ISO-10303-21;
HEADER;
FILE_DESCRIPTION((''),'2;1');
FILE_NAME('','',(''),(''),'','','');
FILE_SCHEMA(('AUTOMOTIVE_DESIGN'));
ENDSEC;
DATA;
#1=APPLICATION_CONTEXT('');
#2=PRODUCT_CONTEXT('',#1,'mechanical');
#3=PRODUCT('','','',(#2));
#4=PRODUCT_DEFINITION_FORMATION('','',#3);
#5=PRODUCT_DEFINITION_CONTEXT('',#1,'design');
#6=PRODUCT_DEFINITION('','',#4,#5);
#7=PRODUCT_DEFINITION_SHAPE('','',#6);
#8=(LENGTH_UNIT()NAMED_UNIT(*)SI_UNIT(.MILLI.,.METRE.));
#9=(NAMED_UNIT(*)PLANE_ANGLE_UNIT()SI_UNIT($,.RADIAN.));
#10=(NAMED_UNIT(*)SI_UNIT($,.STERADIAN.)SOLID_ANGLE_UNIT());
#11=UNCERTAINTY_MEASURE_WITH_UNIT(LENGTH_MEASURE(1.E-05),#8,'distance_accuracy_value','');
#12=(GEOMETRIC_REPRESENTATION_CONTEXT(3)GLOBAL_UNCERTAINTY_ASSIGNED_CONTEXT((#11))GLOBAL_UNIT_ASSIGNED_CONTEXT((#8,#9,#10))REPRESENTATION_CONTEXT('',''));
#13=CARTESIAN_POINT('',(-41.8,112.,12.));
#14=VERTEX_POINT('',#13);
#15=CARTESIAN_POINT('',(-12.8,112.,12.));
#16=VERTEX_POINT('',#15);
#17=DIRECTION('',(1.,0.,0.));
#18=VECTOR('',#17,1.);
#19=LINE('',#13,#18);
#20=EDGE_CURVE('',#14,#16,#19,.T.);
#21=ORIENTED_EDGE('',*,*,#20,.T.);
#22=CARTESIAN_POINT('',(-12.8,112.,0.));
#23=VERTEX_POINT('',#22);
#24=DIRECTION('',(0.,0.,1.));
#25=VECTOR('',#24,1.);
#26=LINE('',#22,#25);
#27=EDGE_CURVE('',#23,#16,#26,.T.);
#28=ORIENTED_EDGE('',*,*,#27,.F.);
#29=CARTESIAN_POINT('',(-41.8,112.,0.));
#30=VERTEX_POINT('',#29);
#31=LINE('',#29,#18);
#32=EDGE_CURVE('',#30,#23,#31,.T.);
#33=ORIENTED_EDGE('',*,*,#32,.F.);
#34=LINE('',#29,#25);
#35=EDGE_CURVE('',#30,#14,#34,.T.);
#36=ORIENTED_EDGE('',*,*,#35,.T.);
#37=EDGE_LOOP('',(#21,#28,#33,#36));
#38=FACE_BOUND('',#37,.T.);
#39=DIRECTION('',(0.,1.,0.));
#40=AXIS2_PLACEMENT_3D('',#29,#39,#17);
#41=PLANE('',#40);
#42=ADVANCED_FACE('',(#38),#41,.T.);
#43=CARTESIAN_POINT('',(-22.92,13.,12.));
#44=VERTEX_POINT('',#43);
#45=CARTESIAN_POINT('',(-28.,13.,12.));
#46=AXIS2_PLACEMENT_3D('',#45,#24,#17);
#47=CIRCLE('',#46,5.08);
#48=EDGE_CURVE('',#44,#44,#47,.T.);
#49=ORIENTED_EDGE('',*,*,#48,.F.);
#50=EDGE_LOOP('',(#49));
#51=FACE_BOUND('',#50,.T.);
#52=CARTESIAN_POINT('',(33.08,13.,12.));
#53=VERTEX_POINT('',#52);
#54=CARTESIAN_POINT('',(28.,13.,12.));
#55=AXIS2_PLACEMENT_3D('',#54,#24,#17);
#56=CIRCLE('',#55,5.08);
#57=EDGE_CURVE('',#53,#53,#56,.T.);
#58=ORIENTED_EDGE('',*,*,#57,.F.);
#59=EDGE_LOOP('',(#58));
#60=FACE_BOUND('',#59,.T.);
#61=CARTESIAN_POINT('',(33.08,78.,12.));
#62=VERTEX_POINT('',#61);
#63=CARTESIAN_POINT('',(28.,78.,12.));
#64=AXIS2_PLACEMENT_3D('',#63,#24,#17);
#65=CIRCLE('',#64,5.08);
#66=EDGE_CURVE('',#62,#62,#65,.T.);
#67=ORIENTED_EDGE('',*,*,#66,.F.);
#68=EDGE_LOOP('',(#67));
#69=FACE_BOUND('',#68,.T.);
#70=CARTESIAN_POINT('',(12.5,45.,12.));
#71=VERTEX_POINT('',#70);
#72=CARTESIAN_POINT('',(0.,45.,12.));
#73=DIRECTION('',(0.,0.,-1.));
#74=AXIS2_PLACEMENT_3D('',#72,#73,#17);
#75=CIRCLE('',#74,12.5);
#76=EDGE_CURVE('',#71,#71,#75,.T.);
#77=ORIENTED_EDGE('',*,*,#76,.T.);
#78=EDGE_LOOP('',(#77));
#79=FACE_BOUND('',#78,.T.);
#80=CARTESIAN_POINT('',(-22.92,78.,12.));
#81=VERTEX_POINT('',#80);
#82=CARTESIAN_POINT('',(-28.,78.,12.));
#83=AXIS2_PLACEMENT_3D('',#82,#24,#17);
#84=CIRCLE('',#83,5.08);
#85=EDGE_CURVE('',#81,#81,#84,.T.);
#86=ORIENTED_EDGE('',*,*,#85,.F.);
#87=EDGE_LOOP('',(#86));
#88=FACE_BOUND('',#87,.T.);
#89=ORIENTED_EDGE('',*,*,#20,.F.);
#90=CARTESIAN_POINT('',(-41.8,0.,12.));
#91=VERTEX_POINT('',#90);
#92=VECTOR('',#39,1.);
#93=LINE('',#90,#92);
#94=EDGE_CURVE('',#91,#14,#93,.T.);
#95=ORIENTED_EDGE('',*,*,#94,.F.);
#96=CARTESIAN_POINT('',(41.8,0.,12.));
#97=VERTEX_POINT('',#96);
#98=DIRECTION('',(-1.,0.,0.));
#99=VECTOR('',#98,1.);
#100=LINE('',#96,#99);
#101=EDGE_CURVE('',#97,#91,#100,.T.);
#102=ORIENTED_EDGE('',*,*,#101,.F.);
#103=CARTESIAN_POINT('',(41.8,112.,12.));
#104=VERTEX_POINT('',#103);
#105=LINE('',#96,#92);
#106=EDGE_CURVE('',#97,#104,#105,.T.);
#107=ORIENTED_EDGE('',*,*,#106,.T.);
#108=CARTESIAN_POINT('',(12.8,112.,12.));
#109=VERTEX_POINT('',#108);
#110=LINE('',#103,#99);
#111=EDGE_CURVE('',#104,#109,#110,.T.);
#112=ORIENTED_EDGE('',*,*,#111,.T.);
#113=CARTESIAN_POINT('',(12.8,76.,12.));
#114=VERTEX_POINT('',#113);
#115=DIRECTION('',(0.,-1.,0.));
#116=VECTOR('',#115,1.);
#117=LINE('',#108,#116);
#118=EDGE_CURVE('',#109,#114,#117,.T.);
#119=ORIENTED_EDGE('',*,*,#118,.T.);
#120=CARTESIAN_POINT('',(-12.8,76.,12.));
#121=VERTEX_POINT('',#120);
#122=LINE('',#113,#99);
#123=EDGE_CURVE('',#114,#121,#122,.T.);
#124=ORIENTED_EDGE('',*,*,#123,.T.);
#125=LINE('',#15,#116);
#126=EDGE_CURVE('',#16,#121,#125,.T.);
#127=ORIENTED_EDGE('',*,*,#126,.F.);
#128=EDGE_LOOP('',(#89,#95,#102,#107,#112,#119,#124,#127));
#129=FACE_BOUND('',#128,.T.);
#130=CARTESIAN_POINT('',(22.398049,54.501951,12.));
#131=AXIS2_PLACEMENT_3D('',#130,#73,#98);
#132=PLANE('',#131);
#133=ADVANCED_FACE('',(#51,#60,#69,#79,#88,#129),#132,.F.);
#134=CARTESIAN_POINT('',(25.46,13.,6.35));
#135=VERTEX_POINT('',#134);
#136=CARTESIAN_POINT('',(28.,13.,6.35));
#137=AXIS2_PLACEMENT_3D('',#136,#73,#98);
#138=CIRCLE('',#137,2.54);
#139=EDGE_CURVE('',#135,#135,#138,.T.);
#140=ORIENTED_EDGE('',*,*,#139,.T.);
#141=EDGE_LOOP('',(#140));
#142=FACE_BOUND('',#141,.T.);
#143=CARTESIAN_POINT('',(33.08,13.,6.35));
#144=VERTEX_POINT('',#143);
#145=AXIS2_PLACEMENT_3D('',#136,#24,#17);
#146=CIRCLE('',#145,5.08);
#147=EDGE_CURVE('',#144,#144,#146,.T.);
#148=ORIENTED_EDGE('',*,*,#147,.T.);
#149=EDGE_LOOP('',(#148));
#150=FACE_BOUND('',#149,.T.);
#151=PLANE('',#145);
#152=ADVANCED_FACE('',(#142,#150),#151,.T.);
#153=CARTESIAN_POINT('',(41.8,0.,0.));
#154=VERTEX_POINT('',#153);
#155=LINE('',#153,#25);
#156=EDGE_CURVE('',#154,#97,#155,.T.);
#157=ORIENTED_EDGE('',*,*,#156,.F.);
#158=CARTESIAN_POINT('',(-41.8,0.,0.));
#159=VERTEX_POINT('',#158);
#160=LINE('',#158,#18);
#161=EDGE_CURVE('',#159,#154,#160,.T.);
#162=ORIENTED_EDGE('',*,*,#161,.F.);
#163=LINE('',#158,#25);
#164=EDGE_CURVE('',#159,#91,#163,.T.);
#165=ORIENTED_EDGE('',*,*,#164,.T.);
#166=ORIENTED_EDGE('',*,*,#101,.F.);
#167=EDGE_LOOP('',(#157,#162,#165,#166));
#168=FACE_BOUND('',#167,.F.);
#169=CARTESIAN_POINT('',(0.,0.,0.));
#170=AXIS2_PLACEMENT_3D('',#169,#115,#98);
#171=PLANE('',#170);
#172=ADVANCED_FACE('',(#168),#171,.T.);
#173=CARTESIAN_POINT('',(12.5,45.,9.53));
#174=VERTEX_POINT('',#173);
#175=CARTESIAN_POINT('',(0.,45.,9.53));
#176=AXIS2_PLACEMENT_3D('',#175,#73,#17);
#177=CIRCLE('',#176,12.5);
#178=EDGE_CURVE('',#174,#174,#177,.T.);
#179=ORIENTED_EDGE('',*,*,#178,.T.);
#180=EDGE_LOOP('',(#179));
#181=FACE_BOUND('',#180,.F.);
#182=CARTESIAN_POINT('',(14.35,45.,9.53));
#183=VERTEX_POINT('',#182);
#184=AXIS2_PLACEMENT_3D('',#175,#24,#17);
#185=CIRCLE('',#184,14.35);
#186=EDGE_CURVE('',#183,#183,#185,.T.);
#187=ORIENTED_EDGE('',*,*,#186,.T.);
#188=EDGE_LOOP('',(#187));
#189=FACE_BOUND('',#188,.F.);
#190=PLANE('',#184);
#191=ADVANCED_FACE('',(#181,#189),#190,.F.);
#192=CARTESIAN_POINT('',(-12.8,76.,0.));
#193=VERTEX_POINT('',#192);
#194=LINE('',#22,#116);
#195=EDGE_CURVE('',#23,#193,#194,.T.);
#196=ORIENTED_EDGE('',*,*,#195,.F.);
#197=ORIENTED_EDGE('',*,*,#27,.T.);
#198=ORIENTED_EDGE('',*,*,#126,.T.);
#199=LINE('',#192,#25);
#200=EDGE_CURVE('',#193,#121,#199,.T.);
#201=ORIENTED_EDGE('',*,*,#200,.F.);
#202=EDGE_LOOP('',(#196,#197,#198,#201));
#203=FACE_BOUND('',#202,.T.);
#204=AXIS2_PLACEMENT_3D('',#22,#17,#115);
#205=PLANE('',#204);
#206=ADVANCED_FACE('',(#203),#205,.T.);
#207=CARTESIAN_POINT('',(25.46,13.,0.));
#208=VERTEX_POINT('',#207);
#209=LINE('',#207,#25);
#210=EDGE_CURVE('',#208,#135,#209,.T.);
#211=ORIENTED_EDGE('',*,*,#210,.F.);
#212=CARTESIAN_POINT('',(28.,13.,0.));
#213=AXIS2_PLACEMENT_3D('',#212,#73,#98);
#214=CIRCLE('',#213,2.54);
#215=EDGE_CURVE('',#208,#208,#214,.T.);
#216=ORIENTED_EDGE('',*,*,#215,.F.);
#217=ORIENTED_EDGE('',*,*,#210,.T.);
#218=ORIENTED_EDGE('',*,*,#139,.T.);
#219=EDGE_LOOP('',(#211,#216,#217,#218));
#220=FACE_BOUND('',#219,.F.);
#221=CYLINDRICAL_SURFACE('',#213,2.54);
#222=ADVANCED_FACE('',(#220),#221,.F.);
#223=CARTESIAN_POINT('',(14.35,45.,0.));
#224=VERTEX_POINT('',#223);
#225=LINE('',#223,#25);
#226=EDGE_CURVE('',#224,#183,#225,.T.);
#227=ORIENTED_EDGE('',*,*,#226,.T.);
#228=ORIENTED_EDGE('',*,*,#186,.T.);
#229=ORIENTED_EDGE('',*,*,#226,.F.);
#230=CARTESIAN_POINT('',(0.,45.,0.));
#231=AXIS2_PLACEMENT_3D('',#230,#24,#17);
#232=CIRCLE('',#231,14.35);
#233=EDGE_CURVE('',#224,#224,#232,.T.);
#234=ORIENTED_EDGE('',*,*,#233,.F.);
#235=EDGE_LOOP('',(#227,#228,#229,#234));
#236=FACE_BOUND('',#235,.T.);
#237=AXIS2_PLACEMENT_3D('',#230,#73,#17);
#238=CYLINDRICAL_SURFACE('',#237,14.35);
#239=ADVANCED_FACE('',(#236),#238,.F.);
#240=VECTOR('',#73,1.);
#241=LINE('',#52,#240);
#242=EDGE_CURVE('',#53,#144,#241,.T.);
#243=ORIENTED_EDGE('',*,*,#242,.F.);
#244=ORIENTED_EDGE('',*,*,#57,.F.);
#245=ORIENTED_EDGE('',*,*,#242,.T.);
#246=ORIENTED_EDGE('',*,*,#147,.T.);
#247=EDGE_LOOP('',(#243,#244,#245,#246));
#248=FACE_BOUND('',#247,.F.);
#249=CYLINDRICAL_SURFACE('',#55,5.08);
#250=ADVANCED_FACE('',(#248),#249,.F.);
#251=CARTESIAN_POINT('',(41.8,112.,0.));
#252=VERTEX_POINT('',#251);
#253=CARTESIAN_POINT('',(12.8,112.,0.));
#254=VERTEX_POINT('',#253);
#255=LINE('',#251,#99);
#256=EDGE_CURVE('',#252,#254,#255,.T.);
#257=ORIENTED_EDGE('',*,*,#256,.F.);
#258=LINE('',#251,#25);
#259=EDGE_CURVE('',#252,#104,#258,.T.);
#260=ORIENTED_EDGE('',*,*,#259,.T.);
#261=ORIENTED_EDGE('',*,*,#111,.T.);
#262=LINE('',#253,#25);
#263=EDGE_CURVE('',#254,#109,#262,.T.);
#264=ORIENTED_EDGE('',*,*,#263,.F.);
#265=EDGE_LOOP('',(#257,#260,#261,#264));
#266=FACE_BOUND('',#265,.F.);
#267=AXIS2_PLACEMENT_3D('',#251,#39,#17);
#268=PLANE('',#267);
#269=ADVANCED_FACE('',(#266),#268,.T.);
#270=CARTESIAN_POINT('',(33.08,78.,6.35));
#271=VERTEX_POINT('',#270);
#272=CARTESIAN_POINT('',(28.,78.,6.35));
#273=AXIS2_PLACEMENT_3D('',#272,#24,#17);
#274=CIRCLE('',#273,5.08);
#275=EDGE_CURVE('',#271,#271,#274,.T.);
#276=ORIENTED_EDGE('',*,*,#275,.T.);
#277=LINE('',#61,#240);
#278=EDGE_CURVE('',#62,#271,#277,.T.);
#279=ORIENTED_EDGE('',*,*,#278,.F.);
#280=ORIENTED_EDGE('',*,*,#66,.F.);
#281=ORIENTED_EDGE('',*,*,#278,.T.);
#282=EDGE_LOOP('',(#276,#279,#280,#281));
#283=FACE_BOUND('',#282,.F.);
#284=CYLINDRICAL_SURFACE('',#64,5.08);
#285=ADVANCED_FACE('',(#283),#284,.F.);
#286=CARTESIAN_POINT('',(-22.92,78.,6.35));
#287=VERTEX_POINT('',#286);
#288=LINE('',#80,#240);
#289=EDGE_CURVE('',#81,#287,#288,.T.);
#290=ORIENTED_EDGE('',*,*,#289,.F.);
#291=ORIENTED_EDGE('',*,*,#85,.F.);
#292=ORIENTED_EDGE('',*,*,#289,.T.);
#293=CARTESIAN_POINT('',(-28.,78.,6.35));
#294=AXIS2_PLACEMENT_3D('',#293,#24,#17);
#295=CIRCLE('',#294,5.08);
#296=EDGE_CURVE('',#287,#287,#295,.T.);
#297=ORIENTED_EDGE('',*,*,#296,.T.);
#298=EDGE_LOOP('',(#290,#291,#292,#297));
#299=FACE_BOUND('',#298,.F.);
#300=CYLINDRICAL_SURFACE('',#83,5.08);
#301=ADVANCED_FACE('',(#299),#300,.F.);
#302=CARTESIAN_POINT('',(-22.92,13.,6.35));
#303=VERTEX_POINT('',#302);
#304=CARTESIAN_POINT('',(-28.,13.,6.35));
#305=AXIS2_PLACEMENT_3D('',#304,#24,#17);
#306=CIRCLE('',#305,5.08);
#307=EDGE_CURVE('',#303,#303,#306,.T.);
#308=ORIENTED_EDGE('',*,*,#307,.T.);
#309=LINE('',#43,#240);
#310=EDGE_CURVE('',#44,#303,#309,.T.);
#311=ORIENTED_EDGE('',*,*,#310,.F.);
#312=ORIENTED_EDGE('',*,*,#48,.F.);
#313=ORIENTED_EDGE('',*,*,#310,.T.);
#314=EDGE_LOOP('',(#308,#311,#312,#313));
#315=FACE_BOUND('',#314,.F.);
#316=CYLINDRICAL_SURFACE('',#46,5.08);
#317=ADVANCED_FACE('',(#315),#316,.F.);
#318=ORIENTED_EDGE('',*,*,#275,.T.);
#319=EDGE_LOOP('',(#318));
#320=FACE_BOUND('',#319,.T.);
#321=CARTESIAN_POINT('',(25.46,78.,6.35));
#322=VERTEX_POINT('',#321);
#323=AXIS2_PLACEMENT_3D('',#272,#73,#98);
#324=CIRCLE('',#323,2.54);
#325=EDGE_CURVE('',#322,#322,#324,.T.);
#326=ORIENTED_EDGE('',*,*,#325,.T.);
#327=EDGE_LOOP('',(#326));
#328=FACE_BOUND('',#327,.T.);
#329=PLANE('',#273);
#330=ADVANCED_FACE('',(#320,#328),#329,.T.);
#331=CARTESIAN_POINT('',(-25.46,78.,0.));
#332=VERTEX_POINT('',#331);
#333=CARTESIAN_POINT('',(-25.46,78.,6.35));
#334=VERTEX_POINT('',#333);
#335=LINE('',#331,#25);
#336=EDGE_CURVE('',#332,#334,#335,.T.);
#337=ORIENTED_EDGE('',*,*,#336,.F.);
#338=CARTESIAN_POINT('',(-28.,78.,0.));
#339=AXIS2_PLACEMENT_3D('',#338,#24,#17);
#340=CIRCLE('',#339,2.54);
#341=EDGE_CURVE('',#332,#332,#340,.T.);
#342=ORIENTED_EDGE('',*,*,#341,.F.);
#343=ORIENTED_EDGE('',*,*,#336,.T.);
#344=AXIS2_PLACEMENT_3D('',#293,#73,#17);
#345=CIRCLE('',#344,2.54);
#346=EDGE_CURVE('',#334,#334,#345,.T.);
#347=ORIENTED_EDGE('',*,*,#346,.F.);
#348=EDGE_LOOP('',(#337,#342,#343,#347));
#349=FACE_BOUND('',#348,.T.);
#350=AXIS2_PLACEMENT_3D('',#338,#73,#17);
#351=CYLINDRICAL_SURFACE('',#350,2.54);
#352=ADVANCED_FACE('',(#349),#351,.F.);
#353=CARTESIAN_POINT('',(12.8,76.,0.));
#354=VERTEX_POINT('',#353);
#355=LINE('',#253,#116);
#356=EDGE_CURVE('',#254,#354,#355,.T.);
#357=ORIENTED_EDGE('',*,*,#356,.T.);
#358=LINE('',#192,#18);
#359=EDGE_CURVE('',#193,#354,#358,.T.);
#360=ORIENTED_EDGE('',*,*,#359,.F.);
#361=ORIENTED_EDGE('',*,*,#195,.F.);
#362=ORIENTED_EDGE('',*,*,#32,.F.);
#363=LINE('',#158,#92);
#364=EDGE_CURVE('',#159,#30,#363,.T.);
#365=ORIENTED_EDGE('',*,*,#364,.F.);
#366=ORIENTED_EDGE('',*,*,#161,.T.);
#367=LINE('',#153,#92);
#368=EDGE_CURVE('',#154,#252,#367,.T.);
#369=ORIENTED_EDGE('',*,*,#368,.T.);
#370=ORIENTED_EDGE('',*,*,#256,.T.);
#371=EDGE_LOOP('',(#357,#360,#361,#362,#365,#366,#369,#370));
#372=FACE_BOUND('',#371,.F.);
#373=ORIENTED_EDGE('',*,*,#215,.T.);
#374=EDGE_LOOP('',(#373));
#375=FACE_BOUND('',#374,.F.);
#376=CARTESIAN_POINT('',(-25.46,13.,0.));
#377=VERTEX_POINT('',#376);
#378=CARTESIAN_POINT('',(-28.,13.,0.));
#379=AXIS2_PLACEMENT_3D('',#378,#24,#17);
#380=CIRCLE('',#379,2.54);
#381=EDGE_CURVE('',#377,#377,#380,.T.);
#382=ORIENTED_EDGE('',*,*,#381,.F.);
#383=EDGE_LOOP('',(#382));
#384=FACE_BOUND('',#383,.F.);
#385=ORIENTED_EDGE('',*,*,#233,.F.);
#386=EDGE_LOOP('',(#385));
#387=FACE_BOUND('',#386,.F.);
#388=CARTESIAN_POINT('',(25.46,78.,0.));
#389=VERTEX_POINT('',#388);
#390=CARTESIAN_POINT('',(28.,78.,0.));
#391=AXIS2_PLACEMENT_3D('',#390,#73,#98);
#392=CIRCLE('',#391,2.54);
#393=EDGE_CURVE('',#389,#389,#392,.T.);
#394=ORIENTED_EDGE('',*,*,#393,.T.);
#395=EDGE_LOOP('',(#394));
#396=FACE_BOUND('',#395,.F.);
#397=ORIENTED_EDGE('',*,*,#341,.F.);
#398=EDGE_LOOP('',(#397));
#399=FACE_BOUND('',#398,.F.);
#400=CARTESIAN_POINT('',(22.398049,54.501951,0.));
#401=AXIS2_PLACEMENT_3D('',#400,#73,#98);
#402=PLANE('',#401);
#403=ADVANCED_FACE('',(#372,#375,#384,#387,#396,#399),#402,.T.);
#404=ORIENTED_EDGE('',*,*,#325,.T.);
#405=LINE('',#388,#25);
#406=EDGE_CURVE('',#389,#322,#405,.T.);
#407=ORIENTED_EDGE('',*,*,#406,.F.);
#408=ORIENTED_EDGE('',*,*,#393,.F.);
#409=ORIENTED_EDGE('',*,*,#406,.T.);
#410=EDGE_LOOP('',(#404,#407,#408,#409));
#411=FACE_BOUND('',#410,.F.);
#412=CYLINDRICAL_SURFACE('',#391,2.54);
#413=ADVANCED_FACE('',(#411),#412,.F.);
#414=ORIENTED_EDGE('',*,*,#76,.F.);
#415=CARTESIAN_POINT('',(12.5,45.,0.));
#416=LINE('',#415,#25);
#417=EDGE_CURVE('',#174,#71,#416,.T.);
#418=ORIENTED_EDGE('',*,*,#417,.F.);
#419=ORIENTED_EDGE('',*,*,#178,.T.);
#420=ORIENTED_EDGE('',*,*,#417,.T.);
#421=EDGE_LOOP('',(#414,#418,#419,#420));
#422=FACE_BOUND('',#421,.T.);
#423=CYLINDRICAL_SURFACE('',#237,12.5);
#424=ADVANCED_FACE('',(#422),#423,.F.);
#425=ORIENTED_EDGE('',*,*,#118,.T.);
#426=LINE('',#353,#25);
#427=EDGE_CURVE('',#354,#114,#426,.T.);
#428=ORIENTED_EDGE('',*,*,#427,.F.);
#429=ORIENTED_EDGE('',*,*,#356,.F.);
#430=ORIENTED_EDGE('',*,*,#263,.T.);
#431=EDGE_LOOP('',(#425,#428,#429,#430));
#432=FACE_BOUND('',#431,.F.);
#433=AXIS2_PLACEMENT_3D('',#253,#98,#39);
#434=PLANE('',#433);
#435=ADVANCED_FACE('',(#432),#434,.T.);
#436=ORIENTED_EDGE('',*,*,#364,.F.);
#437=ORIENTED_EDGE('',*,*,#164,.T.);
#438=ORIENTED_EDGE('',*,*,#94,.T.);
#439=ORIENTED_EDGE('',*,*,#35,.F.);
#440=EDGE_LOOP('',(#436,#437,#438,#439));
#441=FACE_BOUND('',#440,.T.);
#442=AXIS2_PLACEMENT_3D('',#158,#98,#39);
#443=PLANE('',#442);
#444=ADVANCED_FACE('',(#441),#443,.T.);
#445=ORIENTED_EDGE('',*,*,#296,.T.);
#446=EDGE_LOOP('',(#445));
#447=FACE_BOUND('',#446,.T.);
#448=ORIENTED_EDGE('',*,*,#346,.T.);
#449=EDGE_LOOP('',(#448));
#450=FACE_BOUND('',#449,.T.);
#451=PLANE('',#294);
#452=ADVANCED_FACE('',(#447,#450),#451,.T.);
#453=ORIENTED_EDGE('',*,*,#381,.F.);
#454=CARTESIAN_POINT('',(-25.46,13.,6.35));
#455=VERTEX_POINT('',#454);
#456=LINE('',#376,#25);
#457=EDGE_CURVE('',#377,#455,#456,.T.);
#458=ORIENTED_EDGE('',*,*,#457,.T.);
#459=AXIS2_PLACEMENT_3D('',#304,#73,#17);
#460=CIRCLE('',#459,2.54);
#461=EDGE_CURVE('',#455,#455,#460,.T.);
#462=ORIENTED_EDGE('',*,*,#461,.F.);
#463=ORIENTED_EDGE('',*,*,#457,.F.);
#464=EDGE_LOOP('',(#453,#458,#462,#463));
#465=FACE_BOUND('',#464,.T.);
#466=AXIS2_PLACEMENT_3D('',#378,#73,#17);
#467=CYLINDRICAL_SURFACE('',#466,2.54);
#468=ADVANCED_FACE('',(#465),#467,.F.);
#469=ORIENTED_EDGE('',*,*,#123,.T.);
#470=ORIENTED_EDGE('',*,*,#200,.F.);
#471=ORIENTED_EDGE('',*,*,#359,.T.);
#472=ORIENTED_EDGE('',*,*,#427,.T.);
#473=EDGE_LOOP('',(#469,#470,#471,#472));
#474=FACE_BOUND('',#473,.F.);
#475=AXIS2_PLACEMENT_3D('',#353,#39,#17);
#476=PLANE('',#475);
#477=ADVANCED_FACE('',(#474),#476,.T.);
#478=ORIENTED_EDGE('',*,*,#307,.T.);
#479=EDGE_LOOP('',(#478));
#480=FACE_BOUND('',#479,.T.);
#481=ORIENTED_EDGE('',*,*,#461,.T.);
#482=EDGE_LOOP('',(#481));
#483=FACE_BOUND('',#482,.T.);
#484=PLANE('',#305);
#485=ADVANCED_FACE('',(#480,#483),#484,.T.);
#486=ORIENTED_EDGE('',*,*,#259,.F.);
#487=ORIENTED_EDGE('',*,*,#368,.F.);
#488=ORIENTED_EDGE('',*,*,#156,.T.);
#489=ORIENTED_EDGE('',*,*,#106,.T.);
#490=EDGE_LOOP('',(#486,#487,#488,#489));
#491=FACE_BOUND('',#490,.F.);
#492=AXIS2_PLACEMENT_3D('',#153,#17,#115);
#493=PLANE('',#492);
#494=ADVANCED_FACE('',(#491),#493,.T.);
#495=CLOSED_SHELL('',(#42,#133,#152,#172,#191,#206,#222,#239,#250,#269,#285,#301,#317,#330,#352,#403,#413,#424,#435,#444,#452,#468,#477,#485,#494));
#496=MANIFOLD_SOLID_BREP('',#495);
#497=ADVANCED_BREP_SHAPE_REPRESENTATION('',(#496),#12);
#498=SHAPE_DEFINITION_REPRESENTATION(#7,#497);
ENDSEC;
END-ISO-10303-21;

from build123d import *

# Parameters (mm, degrees)
SKETCH_R        = 2.54
PAD_DEPTH       = 12
SKETCH001_R     = 14.35
POCKET_DEPTH    = 9.53
SKETCH002_R     = 12.5
POCKET001_DEPTH = 12.001
SKETCH003_R     = 5.08
POCKET002_DEPTH = 5.65


with BuildPart() as part:
    # Sketch → Pad (new body)
    with BuildSketch(Plane.XY):
        Polygon((0, 0), (-41.8, 0), (-41.8, 112), (-12.8, 112), (-12.8, 76), (0, 76), align=None)
        with Locations((-28, 13)):
            Circle(SKETCH_R, mode=Mode.SUBTRACT)
        with Locations((-28, 78)):
            Circle(SKETCH_R, mode=Mode.SUBTRACT)
    pad = extrude(amount=PAD_DEPTH)

    # Mirrored: Pad across Sketch V_Axis
    add(pad.mirror(Plane(origin=(0, 0, 0), x_dir=(0, 0, 1), z_dir=(1, 0, 0))))

    # Sketch001 → Pocket (cut)
    with BuildSketch(Plane.XY):
        with Locations((0, 45)):
            Circle(SKETCH001_R)
    extrude(amount=POCKET_DEPTH, mode=Mode.SUBTRACT)

    # Sketch002 → Pocket001 (cut, through all)
    with BuildSketch(Plane.XY):
        with Locations((0, 45)):
            Circle(SKETCH002_R)
    extrude(amount=POCKET001_DEPTH, mode=Mode.SUBTRACT)

    # Sketch003 (on Face5 of Pocket001) → Pocket002 (cut)
    with BuildSketch(Plane.XY.offset(12)):
        with Locations((-28, 13)):
            Circle(SKETCH003_R)
        with Locations((-28, 78)):
            Circle(SKETCH003_R)
        with Locations((28, 78)):
            Circle(SKETCH003_R)
        with Locations((28, 13)):
            Circle(SKETCH003_R)
    extrude(amount=-POCKET002_DEPTH, mode=Mode.SUBTRACT)


solid = part.part
